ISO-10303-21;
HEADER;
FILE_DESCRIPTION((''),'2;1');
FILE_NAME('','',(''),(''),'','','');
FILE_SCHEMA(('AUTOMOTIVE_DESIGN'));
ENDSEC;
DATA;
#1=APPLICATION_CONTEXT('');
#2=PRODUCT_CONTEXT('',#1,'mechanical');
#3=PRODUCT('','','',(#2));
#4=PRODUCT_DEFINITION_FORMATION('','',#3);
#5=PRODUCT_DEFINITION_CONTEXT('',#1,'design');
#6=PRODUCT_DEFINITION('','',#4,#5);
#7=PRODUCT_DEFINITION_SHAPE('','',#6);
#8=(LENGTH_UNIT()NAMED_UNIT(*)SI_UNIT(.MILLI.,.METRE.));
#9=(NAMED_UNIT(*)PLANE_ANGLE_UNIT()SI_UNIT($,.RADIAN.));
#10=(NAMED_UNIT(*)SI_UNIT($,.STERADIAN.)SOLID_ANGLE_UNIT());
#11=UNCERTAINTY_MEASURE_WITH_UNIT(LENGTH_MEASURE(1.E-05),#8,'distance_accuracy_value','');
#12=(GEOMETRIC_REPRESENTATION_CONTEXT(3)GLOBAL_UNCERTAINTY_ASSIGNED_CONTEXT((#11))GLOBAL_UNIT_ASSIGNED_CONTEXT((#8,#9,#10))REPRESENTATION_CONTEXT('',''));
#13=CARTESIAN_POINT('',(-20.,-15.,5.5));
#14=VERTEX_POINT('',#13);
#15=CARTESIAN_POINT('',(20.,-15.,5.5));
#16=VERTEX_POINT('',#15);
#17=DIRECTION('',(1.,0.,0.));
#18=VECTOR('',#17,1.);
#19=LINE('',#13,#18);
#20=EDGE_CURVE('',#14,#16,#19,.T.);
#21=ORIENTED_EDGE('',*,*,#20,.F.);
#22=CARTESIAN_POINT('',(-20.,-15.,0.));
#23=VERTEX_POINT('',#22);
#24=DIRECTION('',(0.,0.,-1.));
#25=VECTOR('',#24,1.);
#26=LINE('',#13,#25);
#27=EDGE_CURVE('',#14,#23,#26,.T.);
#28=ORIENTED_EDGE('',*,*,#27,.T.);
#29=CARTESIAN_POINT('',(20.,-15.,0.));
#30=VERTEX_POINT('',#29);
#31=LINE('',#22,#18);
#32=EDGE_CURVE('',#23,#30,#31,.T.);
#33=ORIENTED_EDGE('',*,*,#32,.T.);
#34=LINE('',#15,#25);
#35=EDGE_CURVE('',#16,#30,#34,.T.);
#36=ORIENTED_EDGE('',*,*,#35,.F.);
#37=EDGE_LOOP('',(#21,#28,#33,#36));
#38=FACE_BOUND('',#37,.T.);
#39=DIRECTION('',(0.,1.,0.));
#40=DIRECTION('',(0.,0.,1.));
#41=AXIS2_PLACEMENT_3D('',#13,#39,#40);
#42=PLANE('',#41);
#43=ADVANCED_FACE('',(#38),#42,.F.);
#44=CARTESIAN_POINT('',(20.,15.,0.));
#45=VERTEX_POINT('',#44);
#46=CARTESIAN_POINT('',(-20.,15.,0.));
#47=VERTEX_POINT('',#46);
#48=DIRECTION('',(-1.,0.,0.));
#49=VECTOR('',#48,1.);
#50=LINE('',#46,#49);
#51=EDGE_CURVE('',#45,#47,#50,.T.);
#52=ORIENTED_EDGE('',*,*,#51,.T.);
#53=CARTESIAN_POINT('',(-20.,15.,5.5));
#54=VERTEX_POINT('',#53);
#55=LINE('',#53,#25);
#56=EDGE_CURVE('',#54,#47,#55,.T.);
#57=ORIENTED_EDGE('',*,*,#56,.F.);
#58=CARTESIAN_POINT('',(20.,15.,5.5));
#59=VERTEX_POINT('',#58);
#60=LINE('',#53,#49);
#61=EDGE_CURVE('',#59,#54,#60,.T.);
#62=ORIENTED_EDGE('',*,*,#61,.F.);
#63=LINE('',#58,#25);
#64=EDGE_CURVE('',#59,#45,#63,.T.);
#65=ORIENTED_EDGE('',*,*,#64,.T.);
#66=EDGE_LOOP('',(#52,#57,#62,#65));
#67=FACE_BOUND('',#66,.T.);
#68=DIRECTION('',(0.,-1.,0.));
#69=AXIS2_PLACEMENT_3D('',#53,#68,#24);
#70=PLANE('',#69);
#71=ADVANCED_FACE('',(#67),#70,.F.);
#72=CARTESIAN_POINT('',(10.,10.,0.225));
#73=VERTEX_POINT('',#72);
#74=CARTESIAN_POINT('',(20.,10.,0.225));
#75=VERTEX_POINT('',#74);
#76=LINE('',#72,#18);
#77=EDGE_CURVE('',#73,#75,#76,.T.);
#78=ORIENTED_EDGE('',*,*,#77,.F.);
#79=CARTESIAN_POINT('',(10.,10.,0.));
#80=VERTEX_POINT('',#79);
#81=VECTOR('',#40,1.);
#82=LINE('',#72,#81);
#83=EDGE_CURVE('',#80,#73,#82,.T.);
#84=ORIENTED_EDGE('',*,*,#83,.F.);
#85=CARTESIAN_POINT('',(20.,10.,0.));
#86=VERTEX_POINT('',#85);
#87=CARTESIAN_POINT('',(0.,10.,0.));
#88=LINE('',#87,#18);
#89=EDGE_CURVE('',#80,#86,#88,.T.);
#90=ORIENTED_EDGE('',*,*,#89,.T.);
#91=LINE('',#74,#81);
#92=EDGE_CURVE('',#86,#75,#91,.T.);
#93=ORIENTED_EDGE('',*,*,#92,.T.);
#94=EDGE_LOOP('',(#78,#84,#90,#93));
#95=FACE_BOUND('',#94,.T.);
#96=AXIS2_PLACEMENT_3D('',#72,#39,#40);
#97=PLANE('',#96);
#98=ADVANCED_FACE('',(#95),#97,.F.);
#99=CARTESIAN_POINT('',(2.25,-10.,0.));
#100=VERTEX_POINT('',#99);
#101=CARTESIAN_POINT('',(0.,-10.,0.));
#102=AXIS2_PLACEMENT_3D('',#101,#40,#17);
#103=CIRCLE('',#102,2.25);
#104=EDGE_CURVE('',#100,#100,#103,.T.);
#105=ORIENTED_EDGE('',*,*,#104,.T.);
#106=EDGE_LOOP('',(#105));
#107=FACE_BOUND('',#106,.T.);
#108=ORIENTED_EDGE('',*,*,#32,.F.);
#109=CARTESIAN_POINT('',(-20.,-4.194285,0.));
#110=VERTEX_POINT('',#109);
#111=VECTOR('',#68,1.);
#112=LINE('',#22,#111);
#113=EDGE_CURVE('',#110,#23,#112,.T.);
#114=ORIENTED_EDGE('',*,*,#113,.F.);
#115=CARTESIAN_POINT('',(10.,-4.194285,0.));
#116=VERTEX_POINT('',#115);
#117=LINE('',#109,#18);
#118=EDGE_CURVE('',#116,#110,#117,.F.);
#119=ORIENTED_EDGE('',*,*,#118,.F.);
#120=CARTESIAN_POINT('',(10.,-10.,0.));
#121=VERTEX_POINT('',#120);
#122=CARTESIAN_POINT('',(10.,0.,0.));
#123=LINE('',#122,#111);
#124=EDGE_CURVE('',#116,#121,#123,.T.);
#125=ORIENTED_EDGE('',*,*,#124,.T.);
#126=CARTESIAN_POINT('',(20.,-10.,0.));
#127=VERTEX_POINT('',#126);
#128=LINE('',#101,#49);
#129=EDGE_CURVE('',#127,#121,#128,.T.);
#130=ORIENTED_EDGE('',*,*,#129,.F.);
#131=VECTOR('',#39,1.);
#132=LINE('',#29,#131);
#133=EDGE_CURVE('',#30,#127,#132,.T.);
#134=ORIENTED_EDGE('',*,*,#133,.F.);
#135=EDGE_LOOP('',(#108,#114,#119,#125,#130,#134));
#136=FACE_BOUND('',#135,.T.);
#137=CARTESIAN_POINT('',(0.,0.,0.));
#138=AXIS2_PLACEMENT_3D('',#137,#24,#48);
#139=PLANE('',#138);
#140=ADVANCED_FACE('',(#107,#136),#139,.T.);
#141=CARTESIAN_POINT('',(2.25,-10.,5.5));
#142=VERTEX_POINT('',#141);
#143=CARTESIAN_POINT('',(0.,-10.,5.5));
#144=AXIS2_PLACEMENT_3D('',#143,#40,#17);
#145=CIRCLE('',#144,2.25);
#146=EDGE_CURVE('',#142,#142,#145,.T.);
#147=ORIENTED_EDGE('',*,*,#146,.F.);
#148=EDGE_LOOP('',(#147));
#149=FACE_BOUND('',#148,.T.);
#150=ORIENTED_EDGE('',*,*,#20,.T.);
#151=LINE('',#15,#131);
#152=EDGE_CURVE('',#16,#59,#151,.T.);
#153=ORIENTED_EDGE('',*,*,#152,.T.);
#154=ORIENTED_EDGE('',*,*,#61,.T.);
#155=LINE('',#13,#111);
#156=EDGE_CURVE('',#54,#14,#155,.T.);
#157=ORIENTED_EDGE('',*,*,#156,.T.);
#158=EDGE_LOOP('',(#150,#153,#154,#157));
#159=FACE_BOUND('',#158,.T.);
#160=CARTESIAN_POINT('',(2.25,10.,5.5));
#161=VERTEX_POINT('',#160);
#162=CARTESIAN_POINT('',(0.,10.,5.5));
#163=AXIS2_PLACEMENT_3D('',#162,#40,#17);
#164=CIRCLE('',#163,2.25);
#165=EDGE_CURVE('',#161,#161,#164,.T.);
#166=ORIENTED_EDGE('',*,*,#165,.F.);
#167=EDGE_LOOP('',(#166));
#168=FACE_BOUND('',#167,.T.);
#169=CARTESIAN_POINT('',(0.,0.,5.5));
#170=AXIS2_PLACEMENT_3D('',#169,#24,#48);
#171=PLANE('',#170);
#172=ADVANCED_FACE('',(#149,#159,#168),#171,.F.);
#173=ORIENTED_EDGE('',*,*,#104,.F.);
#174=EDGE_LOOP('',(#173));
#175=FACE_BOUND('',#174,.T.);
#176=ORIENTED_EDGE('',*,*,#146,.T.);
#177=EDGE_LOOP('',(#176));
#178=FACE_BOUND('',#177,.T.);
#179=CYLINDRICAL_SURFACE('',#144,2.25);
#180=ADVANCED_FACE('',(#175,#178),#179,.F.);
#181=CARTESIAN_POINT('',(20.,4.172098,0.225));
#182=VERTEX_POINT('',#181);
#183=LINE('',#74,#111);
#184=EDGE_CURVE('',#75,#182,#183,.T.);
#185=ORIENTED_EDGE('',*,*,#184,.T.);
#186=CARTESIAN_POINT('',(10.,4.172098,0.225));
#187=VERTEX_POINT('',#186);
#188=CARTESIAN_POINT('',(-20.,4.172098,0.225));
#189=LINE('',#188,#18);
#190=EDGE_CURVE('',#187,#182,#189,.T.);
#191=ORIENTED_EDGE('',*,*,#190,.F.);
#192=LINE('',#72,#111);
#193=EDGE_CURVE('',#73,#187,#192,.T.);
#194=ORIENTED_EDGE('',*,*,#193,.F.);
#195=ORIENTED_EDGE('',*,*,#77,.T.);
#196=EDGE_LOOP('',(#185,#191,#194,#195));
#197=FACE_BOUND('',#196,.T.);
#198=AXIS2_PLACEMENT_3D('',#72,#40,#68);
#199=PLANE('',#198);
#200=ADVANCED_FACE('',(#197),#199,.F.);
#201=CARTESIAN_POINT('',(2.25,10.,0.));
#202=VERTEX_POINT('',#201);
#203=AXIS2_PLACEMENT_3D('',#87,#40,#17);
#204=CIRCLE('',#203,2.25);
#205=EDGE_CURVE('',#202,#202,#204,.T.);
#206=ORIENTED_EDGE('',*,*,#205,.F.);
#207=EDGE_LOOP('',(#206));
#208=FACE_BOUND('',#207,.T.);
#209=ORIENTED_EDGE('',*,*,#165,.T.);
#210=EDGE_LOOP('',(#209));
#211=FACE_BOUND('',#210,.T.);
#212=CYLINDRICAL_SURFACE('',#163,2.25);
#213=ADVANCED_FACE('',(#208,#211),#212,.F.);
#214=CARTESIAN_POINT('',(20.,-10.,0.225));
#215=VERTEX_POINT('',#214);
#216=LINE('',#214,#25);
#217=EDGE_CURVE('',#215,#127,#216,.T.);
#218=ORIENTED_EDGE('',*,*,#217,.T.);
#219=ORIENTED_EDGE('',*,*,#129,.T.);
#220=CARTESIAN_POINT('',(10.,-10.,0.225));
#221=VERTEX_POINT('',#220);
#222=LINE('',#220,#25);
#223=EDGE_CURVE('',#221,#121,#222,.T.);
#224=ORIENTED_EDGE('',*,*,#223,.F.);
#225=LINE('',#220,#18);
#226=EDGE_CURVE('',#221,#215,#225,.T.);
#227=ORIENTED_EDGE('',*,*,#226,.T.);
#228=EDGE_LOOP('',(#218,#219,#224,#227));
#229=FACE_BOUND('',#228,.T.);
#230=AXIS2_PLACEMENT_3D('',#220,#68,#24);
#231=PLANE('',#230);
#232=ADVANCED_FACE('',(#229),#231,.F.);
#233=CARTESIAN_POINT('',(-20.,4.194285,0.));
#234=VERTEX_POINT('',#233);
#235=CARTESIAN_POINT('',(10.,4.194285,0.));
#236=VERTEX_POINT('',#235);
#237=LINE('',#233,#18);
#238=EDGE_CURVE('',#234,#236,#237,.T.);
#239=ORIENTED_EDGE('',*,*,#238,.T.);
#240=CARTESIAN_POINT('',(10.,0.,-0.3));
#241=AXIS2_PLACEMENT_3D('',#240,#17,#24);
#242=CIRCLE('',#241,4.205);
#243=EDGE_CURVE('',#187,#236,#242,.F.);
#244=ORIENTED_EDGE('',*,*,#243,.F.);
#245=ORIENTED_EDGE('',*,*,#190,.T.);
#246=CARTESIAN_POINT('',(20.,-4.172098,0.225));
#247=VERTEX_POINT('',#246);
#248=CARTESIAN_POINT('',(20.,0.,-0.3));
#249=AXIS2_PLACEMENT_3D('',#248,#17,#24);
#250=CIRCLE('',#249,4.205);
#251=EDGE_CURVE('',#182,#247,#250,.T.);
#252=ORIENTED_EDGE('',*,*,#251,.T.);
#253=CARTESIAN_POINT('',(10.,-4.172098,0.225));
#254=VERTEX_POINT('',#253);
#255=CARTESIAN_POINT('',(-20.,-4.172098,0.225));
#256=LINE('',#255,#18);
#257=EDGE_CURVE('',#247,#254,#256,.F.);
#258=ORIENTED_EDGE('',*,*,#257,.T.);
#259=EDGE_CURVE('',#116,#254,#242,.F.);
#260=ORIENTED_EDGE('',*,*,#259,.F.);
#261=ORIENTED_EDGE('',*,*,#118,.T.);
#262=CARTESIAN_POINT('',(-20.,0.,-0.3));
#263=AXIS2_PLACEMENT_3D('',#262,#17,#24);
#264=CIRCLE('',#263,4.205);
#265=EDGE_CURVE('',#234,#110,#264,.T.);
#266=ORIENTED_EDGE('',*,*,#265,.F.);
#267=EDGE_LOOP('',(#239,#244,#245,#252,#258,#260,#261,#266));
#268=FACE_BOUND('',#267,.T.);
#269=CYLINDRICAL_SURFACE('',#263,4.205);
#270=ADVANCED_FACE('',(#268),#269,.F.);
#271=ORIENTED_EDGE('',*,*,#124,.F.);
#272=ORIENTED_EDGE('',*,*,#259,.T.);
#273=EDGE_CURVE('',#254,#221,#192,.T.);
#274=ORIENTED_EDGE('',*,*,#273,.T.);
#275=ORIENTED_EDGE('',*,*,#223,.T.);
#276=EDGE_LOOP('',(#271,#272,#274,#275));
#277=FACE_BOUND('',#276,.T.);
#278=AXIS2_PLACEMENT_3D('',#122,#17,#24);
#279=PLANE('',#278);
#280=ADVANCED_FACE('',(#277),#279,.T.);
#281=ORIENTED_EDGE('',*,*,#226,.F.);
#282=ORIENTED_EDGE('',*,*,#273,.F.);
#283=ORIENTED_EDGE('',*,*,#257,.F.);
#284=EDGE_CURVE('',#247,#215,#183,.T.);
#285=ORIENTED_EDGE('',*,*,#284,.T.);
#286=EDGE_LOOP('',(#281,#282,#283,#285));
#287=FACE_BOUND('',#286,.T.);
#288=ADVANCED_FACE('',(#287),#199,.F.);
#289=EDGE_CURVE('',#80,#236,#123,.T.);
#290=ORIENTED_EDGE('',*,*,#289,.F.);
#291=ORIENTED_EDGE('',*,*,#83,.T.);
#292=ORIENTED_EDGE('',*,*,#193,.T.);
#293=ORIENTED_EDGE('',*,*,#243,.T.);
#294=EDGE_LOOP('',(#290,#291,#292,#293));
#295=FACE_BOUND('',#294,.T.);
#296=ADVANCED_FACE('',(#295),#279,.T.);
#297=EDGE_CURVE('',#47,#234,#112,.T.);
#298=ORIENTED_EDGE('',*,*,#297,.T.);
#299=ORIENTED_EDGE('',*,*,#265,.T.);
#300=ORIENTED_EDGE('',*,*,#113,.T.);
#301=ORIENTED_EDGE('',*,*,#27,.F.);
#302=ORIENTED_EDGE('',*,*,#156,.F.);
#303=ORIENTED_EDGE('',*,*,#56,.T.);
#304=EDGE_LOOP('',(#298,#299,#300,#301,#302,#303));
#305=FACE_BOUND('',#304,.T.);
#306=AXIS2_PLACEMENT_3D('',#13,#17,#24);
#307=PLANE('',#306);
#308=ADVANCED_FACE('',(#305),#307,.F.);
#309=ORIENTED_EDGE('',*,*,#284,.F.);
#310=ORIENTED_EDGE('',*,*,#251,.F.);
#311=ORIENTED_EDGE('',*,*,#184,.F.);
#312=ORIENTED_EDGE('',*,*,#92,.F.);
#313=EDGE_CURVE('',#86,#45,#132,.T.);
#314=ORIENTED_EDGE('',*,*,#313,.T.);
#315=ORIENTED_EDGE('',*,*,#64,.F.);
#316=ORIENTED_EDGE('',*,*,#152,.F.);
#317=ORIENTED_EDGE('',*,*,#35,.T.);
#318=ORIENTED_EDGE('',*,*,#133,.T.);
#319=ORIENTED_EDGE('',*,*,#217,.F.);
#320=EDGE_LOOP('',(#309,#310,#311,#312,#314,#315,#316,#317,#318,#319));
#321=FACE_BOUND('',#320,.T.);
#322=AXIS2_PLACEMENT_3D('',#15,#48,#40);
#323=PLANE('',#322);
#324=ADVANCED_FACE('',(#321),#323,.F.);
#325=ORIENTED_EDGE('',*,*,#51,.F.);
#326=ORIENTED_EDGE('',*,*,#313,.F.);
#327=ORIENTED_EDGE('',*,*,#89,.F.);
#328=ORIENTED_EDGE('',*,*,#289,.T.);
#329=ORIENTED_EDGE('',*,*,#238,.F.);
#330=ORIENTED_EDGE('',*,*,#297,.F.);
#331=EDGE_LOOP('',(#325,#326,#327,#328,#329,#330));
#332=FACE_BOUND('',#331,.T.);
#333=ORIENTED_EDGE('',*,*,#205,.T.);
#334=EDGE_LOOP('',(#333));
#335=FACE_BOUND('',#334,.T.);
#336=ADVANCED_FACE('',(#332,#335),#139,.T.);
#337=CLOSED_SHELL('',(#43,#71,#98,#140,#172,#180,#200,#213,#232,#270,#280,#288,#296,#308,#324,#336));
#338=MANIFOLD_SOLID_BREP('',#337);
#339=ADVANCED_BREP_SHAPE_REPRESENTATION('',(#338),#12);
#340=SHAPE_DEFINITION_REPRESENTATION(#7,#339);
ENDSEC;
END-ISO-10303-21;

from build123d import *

# Parameters (mm, degrees)
SKETCH1_W            = 40
SKETCH1_H            = 30
BOSS_EXTRUDE1_DEPTH  = 5.5
SKETCH2_R            = 4.205
CUT_EXTRUDE1_DEPTH   = 44.072613109
M4_CLEARANCE_HOLE1_D = 4.5
SKETCH7_W            = 1.05
SKETCH7_H            = 20
CUT_EXTRUDE2_DEPTH   = 10


with BuildPart() as part:
    # Sketch1 → Boss-Extrude1 (new body)
    with BuildSketch(Plane.XY):
        Rectangle(SKETCH1_W, SKETCH1_H)
    extrude(amount=BOSS_EXTRUDE1_DEPTH)

    # Sketch2 → Cut-Extrude1 (cut, through all)
    with BuildSketch(Plane(origin=(20, 0, 0), x_dir=(0, 0, -1), z_dir=(1, 0, 0))):
        with Locations((0.3, 0)):
            Circle(SKETCH2_R)
    extrude(amount=-CUT_EXTRUDE1_DEPTH, mode=Mode.SUBTRACT)

    # M4 Clearance Hole1 (through all)
    with Locations(Plane.XY.offset(5.5)):
        with Locations((0, 10), (0, -10)):
            Hole(M4_CLEARANCE_HOLE1_D / 2)

    # Sketch7 → Cut-Extrude2 (cut)
    with BuildSketch(Plane(origin=(20, 0, 0), x_dir=(0, 0, -1), z_dir=(1, 0, 0))):
        with Locations((0.3, 0)):
            Rectangle(SKETCH7_W, SKETCH7_H)
    extrude(amount=-CUT_EXTRUDE2_DEPTH, mode=Mode.SUBTRACT)


solid = part.part
